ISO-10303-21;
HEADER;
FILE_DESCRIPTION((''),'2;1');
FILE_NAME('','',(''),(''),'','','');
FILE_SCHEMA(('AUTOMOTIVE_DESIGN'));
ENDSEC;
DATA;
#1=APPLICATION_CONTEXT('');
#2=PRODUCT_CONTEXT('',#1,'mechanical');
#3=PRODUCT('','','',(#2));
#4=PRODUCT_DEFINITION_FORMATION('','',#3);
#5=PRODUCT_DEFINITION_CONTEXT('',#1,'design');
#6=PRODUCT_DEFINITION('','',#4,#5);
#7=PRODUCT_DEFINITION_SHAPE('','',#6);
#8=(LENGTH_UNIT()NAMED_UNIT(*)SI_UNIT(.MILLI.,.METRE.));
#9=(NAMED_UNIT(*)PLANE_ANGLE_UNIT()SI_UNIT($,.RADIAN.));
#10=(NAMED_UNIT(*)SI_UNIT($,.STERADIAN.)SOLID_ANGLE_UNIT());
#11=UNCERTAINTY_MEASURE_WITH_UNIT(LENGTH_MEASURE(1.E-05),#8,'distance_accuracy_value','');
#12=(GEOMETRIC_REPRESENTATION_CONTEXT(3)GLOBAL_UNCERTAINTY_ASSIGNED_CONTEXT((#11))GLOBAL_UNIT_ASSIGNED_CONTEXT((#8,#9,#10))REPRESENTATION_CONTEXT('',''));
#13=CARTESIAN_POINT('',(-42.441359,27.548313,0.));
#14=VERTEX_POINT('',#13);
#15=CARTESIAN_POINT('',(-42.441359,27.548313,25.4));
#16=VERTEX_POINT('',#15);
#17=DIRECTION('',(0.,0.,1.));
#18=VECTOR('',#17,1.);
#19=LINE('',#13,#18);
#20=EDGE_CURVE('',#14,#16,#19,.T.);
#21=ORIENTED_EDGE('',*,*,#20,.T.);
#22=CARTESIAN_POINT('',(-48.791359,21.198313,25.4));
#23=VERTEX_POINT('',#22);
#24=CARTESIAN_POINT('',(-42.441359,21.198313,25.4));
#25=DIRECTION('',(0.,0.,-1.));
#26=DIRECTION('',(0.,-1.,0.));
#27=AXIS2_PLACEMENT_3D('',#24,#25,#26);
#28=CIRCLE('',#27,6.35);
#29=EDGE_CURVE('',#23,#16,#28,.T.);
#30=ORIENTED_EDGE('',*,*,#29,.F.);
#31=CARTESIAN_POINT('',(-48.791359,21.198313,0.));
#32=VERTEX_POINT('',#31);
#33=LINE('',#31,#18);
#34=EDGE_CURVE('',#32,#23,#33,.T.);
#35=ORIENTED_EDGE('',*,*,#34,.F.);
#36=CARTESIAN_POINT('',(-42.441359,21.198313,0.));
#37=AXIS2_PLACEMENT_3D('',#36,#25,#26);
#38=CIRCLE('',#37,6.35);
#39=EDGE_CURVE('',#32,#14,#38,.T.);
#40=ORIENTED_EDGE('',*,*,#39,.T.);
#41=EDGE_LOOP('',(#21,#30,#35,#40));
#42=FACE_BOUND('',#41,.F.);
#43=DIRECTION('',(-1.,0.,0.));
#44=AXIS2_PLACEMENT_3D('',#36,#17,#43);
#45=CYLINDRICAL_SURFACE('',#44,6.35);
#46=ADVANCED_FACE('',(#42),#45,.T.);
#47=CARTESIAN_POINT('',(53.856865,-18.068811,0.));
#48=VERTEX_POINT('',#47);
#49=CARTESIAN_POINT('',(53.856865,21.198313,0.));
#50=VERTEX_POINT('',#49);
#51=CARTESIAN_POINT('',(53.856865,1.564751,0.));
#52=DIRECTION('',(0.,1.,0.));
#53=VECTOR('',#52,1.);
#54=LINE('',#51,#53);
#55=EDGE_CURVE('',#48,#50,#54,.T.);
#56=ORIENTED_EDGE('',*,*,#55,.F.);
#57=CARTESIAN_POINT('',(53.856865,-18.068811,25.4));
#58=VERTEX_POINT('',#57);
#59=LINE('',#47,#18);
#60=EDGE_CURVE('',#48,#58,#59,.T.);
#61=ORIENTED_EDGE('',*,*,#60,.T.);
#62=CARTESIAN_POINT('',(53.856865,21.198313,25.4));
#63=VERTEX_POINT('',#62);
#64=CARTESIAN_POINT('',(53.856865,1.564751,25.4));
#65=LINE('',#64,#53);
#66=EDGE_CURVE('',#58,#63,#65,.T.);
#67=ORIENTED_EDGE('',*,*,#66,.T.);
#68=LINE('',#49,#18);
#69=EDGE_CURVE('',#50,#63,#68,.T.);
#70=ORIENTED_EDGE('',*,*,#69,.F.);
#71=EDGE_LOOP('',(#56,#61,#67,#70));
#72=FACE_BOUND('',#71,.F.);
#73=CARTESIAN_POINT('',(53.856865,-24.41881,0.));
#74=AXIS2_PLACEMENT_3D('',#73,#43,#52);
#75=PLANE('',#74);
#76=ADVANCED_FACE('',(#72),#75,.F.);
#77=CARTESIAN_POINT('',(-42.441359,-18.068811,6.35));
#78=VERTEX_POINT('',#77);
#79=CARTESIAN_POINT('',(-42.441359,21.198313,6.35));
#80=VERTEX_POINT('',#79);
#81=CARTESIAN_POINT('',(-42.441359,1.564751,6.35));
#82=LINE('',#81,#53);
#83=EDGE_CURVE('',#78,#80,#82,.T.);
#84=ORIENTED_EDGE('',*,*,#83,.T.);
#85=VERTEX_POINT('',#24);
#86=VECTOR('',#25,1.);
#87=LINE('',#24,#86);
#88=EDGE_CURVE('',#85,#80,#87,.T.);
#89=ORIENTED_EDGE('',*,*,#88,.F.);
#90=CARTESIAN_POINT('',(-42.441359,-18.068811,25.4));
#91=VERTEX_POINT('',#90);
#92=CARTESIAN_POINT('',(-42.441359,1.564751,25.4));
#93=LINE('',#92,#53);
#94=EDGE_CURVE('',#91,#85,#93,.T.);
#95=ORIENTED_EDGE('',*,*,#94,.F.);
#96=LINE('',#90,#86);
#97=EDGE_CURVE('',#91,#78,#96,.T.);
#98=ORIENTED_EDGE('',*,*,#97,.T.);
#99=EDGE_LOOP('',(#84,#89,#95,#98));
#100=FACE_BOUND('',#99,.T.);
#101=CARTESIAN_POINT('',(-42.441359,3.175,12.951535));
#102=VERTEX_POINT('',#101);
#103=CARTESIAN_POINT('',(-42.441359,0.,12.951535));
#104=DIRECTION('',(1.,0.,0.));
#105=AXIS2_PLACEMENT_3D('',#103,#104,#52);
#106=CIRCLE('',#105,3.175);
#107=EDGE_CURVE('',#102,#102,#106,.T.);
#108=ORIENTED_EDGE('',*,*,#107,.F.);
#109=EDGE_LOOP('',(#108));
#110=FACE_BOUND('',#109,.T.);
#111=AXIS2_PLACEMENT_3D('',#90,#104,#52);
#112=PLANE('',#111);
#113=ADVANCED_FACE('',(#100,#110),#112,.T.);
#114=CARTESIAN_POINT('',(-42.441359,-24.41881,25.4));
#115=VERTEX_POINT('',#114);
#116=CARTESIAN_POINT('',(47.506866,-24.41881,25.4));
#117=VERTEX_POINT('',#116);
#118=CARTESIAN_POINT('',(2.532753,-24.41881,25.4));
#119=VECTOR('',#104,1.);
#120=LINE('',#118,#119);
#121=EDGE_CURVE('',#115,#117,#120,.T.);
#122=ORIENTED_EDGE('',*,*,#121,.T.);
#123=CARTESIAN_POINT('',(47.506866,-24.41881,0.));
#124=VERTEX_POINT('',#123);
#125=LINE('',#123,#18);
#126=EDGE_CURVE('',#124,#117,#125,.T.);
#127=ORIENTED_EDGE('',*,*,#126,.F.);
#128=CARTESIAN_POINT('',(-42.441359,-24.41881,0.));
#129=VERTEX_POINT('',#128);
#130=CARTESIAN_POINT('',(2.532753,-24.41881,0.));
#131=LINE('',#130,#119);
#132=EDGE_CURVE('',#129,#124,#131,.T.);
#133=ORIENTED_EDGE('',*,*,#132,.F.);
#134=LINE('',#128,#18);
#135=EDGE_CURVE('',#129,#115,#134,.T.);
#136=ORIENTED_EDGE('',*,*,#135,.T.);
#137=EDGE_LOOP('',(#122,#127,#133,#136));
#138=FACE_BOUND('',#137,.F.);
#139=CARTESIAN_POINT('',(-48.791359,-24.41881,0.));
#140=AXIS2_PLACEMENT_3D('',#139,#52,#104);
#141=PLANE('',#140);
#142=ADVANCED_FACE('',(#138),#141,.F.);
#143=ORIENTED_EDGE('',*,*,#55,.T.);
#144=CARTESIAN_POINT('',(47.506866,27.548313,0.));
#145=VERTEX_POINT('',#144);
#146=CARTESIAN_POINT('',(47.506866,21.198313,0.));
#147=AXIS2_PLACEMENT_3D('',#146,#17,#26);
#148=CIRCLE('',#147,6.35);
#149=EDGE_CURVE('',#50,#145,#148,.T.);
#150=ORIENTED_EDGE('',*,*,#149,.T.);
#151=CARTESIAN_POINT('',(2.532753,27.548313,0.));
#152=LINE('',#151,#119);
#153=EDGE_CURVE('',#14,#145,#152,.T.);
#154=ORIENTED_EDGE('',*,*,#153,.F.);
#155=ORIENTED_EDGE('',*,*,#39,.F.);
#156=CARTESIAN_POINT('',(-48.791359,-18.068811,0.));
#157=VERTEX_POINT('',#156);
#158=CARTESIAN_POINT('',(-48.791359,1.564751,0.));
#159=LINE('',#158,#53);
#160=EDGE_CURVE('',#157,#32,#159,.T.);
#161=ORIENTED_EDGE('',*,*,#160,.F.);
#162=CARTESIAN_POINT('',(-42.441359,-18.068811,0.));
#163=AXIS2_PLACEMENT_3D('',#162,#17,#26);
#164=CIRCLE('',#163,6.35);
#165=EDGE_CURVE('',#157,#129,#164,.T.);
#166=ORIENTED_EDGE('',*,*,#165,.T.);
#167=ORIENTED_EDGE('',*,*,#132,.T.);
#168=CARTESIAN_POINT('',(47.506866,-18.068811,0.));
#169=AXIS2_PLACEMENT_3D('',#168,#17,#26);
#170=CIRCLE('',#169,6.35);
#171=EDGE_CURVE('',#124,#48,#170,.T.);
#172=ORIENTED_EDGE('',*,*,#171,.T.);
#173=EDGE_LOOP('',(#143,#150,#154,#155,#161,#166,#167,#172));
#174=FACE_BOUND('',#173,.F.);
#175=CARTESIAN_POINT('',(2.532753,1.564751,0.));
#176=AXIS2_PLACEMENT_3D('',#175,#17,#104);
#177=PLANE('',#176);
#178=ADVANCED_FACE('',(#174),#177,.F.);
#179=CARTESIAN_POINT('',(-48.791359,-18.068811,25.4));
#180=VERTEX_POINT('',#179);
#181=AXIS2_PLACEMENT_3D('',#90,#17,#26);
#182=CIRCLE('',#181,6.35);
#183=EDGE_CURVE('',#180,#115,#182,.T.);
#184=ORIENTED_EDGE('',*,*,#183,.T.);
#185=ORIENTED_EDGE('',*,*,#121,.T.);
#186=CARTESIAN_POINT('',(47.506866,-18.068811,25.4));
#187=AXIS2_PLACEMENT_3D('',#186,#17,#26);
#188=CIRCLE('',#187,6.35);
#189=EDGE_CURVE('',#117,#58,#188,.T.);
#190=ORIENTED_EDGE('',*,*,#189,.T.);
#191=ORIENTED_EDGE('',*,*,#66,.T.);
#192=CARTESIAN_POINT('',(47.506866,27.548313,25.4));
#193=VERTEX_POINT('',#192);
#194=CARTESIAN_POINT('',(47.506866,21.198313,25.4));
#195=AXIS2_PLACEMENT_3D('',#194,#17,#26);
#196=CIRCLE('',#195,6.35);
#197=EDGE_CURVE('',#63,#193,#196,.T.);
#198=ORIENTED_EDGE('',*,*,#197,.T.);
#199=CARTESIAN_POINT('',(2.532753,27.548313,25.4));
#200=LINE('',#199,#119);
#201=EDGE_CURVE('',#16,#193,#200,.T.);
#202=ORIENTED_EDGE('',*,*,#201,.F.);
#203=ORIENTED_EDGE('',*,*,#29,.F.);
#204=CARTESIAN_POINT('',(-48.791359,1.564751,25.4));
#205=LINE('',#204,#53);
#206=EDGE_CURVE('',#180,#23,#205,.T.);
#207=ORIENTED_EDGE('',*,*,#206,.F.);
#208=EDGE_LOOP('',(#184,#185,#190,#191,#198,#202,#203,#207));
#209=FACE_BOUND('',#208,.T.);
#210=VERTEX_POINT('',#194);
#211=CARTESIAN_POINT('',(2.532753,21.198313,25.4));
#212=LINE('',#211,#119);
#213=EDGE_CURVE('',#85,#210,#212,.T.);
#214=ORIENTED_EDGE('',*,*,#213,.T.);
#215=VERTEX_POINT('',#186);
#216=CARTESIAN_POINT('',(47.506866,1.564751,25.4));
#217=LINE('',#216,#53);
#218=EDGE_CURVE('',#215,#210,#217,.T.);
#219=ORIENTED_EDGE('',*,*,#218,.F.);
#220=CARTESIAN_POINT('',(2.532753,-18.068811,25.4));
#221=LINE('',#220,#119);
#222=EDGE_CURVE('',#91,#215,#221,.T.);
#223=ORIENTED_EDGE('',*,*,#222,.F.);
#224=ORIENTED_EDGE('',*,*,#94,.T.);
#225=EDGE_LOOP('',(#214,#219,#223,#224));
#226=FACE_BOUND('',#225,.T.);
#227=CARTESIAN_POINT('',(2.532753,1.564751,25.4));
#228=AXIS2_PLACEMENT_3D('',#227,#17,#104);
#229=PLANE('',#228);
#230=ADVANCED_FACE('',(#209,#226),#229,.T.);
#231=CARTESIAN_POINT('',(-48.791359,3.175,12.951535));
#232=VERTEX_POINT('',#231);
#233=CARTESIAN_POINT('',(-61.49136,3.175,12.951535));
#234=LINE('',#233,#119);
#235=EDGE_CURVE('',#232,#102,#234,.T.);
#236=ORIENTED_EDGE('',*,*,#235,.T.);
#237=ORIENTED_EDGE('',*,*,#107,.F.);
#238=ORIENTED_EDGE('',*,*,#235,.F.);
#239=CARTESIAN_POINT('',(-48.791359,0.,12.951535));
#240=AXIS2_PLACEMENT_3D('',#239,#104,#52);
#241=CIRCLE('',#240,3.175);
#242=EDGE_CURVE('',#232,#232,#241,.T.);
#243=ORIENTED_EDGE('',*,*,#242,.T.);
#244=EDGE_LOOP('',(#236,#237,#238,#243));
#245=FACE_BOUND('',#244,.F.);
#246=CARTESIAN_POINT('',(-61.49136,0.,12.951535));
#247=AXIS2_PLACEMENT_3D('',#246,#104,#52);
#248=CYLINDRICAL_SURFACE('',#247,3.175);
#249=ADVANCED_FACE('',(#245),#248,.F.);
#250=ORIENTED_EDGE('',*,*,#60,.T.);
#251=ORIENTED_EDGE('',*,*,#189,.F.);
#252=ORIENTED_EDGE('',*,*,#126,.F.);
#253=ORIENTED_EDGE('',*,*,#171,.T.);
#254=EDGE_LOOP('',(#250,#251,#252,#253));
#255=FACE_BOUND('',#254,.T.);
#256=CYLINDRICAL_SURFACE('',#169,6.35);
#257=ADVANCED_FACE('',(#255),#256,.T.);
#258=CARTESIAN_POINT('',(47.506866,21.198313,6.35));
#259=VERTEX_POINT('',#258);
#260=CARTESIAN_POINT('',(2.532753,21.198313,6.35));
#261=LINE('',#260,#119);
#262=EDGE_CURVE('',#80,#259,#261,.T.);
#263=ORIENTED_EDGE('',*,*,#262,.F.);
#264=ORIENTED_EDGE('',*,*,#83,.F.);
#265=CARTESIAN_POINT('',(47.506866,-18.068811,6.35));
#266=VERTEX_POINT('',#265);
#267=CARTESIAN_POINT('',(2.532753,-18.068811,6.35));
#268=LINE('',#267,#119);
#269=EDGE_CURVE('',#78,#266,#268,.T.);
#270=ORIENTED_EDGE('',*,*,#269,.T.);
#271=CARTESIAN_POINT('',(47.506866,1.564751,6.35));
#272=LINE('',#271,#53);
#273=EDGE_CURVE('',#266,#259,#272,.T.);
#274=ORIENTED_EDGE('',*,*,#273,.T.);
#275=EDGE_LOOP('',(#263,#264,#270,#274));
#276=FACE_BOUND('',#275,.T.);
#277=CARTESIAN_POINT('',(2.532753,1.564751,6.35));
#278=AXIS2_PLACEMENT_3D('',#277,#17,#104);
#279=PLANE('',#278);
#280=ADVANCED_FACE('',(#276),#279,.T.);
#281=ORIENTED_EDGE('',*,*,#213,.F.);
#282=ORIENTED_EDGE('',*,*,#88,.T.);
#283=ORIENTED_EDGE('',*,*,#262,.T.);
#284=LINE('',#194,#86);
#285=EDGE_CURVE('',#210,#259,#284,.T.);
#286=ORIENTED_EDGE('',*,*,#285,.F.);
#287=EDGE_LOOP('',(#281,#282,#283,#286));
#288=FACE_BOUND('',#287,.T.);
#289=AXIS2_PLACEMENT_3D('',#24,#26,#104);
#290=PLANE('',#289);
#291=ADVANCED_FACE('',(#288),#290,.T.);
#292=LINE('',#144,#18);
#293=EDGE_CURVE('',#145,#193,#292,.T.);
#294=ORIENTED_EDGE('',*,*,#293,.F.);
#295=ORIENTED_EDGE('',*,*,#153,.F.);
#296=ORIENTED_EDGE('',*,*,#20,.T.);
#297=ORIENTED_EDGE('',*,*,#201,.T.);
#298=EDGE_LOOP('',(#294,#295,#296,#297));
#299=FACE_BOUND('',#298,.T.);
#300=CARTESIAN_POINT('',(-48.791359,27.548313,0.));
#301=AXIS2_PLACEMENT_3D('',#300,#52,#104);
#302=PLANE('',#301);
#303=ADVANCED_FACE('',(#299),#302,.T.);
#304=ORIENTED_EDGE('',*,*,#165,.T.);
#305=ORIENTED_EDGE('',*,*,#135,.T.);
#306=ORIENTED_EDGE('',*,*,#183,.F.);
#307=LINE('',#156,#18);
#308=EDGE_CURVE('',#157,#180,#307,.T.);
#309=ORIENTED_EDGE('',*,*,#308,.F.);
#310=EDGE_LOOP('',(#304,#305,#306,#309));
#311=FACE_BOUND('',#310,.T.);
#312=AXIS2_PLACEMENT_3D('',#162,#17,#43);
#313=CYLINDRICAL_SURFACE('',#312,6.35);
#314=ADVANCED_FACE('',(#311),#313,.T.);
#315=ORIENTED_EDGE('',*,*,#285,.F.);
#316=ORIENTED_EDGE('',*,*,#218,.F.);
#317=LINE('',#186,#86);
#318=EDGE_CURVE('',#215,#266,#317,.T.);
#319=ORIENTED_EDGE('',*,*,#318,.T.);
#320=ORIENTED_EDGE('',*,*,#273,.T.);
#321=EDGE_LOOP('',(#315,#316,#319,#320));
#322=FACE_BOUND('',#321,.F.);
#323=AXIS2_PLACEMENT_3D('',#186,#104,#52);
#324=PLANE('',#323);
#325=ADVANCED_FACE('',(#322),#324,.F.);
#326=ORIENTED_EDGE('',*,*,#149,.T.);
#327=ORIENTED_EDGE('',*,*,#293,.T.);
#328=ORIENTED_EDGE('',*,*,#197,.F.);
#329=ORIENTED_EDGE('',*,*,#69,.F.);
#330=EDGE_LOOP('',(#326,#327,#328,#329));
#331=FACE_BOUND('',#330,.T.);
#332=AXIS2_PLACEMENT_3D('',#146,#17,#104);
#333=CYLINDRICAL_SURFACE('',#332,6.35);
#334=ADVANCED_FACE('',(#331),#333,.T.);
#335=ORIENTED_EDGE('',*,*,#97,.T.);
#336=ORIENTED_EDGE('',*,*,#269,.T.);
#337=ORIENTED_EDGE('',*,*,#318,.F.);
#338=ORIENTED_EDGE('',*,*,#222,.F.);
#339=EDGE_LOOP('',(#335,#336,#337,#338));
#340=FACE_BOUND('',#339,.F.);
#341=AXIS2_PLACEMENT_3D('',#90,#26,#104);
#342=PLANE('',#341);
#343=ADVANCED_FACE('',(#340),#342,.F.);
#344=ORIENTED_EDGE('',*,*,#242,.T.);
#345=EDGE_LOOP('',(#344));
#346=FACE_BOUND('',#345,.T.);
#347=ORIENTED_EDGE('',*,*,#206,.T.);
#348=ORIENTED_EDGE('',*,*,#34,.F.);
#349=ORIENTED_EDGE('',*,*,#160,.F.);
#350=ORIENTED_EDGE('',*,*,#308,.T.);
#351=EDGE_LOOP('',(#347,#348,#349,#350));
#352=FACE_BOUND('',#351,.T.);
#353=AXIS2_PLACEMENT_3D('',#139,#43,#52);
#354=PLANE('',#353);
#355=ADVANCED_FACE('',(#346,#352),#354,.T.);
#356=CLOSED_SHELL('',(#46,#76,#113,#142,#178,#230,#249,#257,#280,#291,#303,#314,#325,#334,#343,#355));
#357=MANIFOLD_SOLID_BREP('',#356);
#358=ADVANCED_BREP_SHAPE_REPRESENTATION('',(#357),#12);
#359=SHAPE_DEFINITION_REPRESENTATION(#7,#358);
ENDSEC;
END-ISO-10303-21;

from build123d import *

# Parameters (mm, degrees)
F0_W     = 102.648225
F0_H     = 51.967123
F1_DEPTH = 25.4
F2_R     = 6.35
F3_W     = 89.948225
F3_H     = 39.267123
F4_DEPTH = 19.05
F6_D     = 6.35
F6_DEPTH = 12.7


with BuildPart() as f1:
    # F0 (on Top) → F1 (new body)
    with BuildSketch(Plane.XY):
        with Locations((2.532753, 1.564751)):
            Rectangle(F0_W, F0_H)
    extrude(amount=F1_DEPTH)

    # F2
    f2_edges = [f1.edges().sort_by_distance(p)[0] for p in [
        (-48.79136, -24.41881, 12.7),
        (-48.79136, 27.548313, 12.7),
        (53.856865, -24.41881, 12.7),
        (53.856865, 27.548313, 12.7),
    ]]
    fillet(f2_edges, radius=F2_R)

    # F3 (on face) → F4 (cut)
    with BuildSketch(Plane.XY.offset(25.4)):
        with Locations((2.532753, 1.564751)):
            Rectangle(F3_W, F3_H)
    extrude(amount=-F4_DEPTH, mode=Mode.SUBTRACT)

    # F6
    with Locations(Plane(origin=(-48.79136, 0, 0), x_dir=(0, -1, 0), z_dir=(-1, 0, 0))):
        with Locations((0, 12.951535)):
            Hole(F6_D / 2, depth=F6_DEPTH)


solid = f1.part
